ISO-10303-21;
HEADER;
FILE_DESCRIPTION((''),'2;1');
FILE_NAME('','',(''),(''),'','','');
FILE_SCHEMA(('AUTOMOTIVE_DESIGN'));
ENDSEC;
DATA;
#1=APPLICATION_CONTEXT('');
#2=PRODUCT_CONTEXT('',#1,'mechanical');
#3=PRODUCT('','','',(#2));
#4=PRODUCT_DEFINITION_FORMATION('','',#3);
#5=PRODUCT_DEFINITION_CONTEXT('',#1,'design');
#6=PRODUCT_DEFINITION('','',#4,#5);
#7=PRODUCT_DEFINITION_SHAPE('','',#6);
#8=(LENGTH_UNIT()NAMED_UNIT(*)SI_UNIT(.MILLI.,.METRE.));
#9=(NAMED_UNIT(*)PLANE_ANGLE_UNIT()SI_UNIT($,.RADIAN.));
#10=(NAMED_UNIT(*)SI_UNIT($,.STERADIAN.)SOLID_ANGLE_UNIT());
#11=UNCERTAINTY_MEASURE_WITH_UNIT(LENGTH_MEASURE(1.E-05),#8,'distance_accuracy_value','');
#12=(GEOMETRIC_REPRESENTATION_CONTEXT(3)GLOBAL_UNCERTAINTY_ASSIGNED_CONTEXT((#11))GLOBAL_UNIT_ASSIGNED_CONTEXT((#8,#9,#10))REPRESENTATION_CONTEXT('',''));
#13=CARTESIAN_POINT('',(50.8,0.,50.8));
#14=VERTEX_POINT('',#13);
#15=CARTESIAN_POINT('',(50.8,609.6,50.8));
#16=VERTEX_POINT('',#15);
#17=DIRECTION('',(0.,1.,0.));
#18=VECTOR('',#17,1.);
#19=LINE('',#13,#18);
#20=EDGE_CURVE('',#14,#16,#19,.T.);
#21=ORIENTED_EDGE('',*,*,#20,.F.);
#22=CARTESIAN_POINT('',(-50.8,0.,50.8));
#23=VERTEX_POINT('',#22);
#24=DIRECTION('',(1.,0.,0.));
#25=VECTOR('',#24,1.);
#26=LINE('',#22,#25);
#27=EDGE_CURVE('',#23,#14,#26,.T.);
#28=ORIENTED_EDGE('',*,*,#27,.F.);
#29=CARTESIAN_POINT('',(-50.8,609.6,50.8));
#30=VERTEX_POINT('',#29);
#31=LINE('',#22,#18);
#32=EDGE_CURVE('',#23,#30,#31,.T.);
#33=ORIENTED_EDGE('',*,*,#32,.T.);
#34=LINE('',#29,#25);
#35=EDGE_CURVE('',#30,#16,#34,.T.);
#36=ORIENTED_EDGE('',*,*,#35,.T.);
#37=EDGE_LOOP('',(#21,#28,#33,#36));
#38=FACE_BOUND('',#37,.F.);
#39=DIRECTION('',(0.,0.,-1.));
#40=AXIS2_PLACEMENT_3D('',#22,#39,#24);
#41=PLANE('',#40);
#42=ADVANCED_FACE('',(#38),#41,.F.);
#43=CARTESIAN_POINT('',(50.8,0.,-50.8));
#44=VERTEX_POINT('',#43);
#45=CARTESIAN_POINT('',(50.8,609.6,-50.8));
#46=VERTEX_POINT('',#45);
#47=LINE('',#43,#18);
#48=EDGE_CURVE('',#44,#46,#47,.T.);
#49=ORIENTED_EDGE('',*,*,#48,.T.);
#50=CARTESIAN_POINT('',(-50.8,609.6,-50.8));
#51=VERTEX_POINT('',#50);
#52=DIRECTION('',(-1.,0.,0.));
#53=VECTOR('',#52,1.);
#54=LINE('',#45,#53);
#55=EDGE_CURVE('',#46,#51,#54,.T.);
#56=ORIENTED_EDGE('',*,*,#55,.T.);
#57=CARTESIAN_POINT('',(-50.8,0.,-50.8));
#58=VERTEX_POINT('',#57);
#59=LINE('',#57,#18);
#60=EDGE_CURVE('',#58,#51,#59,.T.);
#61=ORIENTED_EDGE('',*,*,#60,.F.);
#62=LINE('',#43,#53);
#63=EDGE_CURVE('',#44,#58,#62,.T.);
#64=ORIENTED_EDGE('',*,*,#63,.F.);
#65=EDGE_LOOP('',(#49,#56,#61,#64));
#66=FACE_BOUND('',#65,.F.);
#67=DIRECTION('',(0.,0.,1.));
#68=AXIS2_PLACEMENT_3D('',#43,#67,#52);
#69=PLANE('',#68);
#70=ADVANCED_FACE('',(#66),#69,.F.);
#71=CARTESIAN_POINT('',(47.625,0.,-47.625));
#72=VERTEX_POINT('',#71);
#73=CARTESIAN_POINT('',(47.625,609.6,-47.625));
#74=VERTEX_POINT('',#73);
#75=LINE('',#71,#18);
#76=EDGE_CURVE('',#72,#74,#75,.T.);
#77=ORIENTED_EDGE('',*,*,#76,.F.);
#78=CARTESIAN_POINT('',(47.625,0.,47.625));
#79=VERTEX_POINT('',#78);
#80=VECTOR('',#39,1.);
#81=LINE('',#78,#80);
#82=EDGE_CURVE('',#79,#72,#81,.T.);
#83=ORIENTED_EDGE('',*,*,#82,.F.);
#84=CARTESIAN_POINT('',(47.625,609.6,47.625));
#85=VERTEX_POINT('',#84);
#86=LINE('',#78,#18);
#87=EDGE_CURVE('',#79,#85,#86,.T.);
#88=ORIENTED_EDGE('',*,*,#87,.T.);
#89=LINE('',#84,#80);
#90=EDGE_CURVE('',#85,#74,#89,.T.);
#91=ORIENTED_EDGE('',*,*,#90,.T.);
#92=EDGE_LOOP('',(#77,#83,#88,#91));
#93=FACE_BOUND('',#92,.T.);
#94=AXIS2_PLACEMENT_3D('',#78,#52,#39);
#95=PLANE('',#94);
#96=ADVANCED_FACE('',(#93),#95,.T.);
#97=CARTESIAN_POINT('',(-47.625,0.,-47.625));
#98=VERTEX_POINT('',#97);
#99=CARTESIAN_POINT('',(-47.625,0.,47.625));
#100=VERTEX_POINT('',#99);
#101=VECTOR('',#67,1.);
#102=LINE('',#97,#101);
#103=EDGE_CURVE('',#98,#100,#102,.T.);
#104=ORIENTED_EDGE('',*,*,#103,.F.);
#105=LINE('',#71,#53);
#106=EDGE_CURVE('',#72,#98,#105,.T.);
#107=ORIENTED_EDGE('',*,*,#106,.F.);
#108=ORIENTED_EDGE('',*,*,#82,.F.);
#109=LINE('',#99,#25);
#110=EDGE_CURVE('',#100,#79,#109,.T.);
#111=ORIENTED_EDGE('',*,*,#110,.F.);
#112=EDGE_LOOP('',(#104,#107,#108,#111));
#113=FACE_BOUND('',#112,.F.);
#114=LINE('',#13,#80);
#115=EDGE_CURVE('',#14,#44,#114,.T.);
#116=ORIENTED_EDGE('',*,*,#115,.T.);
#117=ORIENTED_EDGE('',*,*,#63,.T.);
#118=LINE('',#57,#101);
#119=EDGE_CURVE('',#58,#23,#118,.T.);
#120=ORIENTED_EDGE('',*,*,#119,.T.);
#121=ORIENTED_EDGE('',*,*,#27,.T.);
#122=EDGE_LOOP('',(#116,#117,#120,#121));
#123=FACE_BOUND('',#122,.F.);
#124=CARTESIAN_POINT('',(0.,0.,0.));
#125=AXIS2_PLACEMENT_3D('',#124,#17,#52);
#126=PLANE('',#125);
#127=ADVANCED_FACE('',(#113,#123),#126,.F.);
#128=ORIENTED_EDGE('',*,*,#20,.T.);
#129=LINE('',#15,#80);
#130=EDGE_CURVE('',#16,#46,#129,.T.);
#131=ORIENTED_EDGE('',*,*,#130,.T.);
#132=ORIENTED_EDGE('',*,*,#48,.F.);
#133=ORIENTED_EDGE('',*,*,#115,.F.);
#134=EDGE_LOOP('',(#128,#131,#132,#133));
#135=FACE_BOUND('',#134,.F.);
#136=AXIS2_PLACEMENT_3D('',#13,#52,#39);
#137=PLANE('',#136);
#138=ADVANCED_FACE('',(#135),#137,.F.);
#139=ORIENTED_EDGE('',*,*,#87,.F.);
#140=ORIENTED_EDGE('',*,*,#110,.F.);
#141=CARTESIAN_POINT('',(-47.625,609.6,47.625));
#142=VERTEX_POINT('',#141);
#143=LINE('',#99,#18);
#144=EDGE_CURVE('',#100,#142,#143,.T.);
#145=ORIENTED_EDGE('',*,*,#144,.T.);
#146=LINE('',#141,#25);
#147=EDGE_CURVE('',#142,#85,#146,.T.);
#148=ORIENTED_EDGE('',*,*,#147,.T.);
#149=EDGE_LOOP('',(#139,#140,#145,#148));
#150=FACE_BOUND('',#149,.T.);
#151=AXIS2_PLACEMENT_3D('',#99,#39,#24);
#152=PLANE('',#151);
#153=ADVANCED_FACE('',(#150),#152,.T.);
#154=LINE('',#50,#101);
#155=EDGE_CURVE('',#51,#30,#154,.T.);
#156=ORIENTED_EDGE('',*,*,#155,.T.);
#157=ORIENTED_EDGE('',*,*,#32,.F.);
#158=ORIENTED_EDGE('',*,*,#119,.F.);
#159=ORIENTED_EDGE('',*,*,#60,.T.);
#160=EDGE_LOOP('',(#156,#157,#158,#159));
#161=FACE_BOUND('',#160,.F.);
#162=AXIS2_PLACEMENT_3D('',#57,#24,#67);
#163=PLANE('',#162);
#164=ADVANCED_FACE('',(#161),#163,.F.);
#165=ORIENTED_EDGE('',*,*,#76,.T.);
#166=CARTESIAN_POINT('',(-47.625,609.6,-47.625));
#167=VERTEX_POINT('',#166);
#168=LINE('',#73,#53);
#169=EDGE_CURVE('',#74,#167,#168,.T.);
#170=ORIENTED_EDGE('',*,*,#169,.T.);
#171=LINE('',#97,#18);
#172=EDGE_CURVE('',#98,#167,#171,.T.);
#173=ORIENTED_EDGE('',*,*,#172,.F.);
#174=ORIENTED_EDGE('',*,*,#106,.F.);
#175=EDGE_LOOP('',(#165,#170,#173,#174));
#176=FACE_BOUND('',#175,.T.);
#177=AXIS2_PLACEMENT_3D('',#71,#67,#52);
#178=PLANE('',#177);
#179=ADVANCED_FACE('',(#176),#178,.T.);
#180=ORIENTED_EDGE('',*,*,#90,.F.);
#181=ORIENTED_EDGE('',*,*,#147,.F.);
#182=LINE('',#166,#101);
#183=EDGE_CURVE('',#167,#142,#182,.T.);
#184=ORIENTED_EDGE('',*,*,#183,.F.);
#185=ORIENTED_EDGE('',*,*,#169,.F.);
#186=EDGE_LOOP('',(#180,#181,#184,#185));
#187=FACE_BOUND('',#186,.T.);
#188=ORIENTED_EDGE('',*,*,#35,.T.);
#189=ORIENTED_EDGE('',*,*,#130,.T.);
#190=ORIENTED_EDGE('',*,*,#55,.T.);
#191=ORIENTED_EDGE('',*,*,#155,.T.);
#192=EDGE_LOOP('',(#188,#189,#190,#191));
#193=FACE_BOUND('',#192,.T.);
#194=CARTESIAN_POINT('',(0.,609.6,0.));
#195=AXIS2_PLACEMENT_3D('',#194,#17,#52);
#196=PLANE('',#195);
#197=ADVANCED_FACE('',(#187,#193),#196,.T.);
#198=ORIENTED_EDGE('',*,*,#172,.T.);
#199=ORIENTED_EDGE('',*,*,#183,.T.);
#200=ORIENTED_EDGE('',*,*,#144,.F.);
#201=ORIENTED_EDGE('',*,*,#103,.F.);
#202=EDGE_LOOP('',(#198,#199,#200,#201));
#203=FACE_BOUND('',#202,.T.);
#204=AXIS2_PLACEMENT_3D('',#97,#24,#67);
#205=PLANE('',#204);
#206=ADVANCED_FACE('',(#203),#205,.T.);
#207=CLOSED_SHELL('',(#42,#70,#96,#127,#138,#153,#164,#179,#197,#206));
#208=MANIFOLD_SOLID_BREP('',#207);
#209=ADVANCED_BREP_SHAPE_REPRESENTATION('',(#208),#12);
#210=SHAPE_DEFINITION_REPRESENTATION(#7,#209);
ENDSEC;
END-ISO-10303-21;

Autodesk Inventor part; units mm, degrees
ref_plane "YZ Plane" through (0, 0, 0) normal (1, 0, 0) x (0, 1, 0)
ref_plane "XZ Plane" through (0, 0, 0) normal (0, 1, 0) x (-1, 0, 0)
ref_plane "XY Plane" through (0, 0, 0) normal (0, 0, 1) x (1, 0, 0)
sketch "Sketch1" plane through (0, 0, 0) normal (0, 1, 0) x (-1, 0, 0)
  line L0 (-50.8, 50.8) -> (-50.8, -50.8)
  line L1 (-50.8, -50.8) -> (50.8, -50.8)
  line L2 (50.8, -50.8) -> (50.8, 50.8)
  line L3 (50.8, 50.8) -> (-50.8, 50.8)
  line L4 (-50.8, 50.8) -> (50.8, -50.8) construction
  line L5 (-50.8, -50.8) -> (50.8, 50.8) construction
  line L6 (-47.625, 47.625) -> (-47.625, -47.625)
  line L7 (-47.625, -47.625) -> (47.625, -47.625)
  line L8 (47.625, -47.625) -> (47.625, 47.625)
  line L9 (47.625, 47.625) -> (-47.625, 47.625)
  line L10 (-47.625, 47.625) -> (47.625, -47.625) construction
  line L11 (-47.625, -47.625) -> (47.625, 47.625) construction
  point P0 (0, 0)
  dimension "d0" = 101.6
  dimension "d1" = 3.175
extrude "Extrusion1" add sketch "Sketch1" along normal blind 609.6
properties part number "AlumPost-4x4x24-1_8" material "Aluminum 6061"
